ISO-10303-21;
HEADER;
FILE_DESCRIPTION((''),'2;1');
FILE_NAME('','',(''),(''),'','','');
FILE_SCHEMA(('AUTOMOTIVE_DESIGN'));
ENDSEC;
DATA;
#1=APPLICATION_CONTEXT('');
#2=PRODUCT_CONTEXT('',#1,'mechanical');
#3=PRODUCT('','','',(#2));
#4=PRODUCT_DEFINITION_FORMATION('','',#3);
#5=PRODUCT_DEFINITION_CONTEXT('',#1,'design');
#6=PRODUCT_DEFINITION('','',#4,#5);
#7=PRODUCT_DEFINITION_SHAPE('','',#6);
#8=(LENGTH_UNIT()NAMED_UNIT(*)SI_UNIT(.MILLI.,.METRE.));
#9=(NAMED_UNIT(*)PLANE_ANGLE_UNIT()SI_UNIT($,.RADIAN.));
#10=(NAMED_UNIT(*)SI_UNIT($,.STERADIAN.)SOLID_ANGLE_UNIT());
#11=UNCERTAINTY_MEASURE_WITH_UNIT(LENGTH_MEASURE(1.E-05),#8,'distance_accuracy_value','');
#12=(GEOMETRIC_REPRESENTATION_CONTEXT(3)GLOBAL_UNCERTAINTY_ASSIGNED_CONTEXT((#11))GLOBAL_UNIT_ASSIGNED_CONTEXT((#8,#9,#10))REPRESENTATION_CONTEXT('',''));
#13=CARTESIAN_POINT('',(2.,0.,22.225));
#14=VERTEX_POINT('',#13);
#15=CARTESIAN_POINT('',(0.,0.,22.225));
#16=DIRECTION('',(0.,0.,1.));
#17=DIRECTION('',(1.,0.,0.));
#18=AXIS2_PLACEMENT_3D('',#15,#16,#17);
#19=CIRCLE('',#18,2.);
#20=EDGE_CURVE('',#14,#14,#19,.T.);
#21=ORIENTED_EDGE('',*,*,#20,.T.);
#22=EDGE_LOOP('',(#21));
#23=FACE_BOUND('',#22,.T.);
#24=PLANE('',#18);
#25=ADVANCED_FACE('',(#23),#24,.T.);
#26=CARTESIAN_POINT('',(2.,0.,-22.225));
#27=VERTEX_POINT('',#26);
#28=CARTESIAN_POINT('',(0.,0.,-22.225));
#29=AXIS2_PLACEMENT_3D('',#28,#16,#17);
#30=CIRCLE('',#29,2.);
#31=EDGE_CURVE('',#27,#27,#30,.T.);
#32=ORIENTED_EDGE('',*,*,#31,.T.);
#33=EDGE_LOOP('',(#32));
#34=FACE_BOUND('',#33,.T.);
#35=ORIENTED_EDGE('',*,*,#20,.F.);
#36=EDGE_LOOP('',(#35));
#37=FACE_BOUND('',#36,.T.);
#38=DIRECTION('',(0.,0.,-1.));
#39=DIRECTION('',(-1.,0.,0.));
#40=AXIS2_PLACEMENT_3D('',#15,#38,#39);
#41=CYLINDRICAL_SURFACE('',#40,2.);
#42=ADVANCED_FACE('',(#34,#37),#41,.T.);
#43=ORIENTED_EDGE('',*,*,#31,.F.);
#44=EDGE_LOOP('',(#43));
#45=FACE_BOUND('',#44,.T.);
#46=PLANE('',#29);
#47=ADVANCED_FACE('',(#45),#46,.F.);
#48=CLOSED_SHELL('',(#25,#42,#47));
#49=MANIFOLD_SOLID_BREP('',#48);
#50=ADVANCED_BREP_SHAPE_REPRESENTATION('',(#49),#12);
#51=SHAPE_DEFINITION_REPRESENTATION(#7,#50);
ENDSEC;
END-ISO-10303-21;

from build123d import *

# Parameters (mm, degrees)
ESQUISSE2_R        = 2
BOSS_EXTRU_1_DEPTH = 22.225


with BuildPart() as part:
    # Esquisse2 → Boss.-Extru.1 (new, symmetric)
    with BuildSketch(Plane.XY):
        Circle(ESQUISSE2_R)
    extrude(amount=BOSS_EXTRU_1_DEPTH, both=True)


solid = part.part
